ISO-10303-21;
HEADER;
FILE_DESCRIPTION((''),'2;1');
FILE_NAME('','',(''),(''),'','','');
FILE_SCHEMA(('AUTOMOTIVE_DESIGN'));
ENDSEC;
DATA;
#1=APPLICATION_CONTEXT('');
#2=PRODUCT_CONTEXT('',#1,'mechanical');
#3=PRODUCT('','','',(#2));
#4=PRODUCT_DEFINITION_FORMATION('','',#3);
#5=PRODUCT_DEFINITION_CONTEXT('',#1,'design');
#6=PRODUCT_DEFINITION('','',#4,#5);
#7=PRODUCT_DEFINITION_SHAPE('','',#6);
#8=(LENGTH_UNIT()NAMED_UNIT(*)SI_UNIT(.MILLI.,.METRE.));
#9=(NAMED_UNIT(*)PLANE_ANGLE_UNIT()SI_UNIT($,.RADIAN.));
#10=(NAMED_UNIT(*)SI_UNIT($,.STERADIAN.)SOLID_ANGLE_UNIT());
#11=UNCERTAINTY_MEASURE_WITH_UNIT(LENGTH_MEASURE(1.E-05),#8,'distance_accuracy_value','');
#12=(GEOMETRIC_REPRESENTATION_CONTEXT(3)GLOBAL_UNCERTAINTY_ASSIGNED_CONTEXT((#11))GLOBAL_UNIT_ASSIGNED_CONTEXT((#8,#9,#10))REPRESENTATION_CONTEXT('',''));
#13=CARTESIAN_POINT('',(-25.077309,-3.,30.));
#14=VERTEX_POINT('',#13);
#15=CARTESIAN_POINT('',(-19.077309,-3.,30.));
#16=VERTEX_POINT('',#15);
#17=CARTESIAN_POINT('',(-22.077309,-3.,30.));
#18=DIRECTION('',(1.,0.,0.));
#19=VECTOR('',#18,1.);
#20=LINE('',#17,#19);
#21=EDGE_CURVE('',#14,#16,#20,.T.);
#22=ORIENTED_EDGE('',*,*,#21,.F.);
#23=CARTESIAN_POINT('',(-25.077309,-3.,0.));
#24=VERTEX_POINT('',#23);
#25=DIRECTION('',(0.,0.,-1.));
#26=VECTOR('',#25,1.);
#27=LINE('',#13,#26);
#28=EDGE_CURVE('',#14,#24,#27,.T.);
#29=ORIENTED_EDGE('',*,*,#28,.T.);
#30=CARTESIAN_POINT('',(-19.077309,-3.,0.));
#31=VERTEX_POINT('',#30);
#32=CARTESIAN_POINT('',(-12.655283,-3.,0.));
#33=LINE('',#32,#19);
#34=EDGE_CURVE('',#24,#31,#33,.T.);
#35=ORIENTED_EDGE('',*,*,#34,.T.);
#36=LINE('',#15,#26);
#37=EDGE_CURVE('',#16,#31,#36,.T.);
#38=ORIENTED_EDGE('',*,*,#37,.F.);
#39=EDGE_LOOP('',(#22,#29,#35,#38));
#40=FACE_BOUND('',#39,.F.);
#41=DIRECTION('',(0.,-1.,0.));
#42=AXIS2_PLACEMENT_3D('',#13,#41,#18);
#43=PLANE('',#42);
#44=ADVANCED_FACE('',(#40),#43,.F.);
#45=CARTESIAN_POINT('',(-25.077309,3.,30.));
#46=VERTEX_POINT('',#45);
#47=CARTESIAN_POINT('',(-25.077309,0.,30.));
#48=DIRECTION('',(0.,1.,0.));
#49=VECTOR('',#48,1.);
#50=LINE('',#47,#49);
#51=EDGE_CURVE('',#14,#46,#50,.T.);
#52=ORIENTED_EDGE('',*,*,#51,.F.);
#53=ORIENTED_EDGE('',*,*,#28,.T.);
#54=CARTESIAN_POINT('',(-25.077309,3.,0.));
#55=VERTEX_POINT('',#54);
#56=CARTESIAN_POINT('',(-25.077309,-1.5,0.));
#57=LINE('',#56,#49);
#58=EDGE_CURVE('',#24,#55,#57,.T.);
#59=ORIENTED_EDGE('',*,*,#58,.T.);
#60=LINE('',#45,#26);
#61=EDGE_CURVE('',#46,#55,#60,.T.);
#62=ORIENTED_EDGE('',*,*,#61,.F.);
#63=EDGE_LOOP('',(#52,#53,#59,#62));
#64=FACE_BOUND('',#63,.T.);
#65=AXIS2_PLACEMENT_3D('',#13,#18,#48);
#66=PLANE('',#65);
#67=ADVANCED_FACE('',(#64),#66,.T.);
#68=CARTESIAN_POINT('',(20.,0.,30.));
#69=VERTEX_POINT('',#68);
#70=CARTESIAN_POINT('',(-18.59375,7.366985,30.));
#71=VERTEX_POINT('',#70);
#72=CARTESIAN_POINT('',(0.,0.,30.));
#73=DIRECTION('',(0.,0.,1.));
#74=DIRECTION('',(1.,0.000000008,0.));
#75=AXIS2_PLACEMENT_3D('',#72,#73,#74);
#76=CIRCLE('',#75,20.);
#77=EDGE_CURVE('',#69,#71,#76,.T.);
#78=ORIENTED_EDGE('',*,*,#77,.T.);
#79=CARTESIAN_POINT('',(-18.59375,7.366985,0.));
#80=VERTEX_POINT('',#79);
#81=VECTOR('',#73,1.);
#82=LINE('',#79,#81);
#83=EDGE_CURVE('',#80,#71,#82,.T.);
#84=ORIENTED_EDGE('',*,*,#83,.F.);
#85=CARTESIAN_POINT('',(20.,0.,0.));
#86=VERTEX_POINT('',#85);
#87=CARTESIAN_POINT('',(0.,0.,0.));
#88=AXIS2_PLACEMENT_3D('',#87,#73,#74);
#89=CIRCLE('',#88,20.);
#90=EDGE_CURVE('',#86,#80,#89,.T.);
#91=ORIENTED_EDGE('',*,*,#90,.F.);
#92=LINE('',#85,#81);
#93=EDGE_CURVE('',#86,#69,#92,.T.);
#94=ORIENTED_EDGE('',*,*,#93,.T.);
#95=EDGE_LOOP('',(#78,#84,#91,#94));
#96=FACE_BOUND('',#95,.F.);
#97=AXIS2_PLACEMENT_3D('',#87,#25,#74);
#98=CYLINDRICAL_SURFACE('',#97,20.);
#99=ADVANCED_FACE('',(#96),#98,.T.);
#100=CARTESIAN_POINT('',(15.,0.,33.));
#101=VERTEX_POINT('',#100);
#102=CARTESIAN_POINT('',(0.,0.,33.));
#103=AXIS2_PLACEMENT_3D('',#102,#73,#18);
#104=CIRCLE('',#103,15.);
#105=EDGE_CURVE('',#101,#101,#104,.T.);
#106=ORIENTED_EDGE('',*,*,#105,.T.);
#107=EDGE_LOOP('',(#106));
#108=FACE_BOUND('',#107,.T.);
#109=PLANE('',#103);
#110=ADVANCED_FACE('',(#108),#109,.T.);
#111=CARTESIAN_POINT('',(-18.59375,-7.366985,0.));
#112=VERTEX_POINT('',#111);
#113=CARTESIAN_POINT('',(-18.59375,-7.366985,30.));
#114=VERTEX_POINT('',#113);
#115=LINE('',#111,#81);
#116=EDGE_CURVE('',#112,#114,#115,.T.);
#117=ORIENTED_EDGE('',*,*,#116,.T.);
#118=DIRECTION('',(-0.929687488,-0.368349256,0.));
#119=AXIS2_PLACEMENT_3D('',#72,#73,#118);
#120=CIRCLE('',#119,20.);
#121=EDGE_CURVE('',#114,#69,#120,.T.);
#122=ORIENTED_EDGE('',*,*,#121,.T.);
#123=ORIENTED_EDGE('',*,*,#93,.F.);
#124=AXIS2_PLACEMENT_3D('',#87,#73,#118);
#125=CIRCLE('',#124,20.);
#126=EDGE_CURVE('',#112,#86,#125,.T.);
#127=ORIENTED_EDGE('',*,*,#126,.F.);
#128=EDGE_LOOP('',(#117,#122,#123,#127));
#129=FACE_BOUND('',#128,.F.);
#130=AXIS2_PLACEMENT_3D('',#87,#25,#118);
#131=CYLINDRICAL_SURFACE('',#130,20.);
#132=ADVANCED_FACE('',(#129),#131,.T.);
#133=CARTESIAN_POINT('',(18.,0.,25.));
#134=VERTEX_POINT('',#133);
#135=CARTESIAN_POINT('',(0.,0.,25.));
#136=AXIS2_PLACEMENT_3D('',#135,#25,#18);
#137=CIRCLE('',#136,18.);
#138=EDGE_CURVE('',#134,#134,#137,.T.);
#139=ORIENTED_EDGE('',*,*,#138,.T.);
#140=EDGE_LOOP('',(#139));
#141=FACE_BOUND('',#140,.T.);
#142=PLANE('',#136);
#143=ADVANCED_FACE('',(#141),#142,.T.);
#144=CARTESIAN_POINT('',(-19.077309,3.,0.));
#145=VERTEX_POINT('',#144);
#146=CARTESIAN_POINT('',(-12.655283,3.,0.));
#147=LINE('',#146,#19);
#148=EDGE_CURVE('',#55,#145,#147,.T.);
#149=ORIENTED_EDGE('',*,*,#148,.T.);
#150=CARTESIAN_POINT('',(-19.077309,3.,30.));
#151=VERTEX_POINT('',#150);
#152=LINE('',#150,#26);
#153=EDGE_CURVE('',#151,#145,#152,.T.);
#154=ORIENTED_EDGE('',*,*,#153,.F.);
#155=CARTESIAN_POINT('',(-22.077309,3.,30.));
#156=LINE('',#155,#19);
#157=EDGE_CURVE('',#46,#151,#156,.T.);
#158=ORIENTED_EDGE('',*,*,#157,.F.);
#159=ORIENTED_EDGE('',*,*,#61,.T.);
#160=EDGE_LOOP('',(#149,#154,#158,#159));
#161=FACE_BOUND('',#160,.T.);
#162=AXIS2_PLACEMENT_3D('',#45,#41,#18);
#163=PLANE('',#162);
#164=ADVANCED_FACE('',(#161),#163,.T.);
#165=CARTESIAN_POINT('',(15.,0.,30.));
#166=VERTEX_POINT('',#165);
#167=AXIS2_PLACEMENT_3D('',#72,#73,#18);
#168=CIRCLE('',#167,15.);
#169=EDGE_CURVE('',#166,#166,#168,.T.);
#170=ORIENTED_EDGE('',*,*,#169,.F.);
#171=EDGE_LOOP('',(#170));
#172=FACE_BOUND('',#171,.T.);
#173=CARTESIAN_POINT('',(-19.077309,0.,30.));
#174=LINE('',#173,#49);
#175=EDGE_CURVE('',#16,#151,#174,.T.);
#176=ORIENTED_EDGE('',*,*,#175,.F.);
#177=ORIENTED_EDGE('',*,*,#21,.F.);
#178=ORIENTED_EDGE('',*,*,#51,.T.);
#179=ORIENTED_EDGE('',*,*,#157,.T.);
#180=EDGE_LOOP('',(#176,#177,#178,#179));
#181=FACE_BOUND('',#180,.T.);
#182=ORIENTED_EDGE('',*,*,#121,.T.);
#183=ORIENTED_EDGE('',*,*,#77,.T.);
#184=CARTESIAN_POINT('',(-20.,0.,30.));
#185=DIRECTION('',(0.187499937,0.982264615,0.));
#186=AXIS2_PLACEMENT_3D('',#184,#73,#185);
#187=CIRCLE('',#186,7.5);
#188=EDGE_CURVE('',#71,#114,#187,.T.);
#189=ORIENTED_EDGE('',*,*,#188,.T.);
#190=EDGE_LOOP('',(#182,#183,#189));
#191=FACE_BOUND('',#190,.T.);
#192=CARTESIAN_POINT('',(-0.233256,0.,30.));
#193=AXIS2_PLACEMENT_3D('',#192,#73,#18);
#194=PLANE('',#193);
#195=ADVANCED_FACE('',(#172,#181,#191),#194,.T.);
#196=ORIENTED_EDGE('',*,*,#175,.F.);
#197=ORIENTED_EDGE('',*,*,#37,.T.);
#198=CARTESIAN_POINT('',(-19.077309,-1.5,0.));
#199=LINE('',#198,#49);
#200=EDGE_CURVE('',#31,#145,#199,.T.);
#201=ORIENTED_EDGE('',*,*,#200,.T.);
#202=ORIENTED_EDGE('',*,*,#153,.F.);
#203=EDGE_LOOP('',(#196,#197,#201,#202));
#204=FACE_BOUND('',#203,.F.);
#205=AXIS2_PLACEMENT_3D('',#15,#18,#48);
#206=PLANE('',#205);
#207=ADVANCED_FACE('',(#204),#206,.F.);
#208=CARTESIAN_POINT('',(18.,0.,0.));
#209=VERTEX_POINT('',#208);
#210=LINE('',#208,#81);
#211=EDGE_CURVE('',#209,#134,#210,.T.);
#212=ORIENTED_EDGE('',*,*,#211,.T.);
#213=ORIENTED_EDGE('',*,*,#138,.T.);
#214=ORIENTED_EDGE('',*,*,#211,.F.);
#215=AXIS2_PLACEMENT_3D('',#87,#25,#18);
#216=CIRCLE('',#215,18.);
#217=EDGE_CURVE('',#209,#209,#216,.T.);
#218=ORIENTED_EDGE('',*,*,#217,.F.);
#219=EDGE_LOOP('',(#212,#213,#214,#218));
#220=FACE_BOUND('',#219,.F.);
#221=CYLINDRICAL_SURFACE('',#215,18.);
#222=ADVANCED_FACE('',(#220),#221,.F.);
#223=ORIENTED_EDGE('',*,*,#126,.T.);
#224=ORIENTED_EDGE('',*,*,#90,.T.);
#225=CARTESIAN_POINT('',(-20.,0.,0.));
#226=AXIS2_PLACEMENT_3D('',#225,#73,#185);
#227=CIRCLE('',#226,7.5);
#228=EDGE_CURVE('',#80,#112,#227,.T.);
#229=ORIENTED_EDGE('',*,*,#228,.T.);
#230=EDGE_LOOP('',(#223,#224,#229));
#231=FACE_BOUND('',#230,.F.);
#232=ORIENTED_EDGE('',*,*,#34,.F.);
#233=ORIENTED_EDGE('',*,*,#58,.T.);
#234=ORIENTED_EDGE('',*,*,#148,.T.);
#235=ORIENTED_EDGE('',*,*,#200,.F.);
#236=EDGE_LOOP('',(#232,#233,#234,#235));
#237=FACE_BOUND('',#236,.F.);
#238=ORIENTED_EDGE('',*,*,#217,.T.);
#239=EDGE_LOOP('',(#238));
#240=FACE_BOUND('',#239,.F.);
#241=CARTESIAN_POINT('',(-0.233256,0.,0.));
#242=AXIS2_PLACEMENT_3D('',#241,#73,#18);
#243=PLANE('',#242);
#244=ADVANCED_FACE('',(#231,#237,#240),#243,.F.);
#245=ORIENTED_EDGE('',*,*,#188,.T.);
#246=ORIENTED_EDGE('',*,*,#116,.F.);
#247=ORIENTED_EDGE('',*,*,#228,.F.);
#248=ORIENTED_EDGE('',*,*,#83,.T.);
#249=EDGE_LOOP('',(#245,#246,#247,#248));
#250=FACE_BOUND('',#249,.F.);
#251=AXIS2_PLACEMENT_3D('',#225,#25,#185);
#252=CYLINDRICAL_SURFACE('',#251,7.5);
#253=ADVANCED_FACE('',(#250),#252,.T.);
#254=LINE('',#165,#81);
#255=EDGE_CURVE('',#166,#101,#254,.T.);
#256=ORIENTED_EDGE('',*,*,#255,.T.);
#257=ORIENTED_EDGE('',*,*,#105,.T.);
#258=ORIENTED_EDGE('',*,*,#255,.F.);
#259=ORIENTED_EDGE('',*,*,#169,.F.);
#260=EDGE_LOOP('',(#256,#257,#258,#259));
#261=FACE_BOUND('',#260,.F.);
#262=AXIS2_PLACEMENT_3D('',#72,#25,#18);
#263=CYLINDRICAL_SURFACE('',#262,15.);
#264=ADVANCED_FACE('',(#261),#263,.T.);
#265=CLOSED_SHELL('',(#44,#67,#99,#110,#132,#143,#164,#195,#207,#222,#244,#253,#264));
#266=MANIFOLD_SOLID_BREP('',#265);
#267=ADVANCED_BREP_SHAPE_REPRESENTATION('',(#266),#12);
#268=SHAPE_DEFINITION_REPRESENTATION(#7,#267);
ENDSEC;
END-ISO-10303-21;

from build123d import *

# Parameters (mm, degrees)
F0_R     = 15
F1_DEPTH = 30
F3_R     = 18
F4_DEPTH = 25
F5_R     = 15
F6_DEPTH = 3
F2_W     = 6
F2_H     = 6
F7_DEPTH = 35


with BuildPart() as f1:
    # F0 (on Top) → F1 (new body)
    with BuildSketch(Plane.XY):
        with BuildLine():
            ThreePointArc((-18.59375, -7.366985), (3.75, -19.645292), (20, 0))
            ThreePointArc((20, 0), (3.75, 19.645292), (-18.59375, 7.366985))
            ThreePointArc((-18.59375, 7.366985), (-20, 0), (-18.59375, -7.366985))
        make_face()
        Circle(F0_R, mode=Mode.SUBTRACT)
        with BuildLine():
            ThreePointArc((-18.59375, -7.366985), (-20, 0), (-18.59375, 7.366985))
            ThreePointArc((-18.59375, 7.366985), (-27.5, 0), (-18.59375, -7.366985))
        make_face()
        Circle(F0_R)
    extrude(amount=F1_DEPTH)

    # F3 (on face) → F4 (cut)
    with BuildSketch(Plane(origin=(0, 0, 0), x_dir=(1, 0, 0), z_dir=(0, 0, -1))):
        Circle(F3_R)
    extrude(amount=-F4_DEPTH, mode=Mode.SUBTRACT)

    # F5 (on face) → F6 (join)
    with BuildSketch(Plane.XY.offset(30)):
        Circle(F5_R)
    extrude(amount=F6_DEPTH)

    # F2 (on face) → F7 (cut)
    with BuildSketch(Plane.XY.offset(30)):
        with Locations((-22.077309, 0)):
            Rectangle(F2_W, F2_H)
    extrude(amount=-F7_DEPTH, mode=Mode.SUBTRACT)


solid = f1.part
